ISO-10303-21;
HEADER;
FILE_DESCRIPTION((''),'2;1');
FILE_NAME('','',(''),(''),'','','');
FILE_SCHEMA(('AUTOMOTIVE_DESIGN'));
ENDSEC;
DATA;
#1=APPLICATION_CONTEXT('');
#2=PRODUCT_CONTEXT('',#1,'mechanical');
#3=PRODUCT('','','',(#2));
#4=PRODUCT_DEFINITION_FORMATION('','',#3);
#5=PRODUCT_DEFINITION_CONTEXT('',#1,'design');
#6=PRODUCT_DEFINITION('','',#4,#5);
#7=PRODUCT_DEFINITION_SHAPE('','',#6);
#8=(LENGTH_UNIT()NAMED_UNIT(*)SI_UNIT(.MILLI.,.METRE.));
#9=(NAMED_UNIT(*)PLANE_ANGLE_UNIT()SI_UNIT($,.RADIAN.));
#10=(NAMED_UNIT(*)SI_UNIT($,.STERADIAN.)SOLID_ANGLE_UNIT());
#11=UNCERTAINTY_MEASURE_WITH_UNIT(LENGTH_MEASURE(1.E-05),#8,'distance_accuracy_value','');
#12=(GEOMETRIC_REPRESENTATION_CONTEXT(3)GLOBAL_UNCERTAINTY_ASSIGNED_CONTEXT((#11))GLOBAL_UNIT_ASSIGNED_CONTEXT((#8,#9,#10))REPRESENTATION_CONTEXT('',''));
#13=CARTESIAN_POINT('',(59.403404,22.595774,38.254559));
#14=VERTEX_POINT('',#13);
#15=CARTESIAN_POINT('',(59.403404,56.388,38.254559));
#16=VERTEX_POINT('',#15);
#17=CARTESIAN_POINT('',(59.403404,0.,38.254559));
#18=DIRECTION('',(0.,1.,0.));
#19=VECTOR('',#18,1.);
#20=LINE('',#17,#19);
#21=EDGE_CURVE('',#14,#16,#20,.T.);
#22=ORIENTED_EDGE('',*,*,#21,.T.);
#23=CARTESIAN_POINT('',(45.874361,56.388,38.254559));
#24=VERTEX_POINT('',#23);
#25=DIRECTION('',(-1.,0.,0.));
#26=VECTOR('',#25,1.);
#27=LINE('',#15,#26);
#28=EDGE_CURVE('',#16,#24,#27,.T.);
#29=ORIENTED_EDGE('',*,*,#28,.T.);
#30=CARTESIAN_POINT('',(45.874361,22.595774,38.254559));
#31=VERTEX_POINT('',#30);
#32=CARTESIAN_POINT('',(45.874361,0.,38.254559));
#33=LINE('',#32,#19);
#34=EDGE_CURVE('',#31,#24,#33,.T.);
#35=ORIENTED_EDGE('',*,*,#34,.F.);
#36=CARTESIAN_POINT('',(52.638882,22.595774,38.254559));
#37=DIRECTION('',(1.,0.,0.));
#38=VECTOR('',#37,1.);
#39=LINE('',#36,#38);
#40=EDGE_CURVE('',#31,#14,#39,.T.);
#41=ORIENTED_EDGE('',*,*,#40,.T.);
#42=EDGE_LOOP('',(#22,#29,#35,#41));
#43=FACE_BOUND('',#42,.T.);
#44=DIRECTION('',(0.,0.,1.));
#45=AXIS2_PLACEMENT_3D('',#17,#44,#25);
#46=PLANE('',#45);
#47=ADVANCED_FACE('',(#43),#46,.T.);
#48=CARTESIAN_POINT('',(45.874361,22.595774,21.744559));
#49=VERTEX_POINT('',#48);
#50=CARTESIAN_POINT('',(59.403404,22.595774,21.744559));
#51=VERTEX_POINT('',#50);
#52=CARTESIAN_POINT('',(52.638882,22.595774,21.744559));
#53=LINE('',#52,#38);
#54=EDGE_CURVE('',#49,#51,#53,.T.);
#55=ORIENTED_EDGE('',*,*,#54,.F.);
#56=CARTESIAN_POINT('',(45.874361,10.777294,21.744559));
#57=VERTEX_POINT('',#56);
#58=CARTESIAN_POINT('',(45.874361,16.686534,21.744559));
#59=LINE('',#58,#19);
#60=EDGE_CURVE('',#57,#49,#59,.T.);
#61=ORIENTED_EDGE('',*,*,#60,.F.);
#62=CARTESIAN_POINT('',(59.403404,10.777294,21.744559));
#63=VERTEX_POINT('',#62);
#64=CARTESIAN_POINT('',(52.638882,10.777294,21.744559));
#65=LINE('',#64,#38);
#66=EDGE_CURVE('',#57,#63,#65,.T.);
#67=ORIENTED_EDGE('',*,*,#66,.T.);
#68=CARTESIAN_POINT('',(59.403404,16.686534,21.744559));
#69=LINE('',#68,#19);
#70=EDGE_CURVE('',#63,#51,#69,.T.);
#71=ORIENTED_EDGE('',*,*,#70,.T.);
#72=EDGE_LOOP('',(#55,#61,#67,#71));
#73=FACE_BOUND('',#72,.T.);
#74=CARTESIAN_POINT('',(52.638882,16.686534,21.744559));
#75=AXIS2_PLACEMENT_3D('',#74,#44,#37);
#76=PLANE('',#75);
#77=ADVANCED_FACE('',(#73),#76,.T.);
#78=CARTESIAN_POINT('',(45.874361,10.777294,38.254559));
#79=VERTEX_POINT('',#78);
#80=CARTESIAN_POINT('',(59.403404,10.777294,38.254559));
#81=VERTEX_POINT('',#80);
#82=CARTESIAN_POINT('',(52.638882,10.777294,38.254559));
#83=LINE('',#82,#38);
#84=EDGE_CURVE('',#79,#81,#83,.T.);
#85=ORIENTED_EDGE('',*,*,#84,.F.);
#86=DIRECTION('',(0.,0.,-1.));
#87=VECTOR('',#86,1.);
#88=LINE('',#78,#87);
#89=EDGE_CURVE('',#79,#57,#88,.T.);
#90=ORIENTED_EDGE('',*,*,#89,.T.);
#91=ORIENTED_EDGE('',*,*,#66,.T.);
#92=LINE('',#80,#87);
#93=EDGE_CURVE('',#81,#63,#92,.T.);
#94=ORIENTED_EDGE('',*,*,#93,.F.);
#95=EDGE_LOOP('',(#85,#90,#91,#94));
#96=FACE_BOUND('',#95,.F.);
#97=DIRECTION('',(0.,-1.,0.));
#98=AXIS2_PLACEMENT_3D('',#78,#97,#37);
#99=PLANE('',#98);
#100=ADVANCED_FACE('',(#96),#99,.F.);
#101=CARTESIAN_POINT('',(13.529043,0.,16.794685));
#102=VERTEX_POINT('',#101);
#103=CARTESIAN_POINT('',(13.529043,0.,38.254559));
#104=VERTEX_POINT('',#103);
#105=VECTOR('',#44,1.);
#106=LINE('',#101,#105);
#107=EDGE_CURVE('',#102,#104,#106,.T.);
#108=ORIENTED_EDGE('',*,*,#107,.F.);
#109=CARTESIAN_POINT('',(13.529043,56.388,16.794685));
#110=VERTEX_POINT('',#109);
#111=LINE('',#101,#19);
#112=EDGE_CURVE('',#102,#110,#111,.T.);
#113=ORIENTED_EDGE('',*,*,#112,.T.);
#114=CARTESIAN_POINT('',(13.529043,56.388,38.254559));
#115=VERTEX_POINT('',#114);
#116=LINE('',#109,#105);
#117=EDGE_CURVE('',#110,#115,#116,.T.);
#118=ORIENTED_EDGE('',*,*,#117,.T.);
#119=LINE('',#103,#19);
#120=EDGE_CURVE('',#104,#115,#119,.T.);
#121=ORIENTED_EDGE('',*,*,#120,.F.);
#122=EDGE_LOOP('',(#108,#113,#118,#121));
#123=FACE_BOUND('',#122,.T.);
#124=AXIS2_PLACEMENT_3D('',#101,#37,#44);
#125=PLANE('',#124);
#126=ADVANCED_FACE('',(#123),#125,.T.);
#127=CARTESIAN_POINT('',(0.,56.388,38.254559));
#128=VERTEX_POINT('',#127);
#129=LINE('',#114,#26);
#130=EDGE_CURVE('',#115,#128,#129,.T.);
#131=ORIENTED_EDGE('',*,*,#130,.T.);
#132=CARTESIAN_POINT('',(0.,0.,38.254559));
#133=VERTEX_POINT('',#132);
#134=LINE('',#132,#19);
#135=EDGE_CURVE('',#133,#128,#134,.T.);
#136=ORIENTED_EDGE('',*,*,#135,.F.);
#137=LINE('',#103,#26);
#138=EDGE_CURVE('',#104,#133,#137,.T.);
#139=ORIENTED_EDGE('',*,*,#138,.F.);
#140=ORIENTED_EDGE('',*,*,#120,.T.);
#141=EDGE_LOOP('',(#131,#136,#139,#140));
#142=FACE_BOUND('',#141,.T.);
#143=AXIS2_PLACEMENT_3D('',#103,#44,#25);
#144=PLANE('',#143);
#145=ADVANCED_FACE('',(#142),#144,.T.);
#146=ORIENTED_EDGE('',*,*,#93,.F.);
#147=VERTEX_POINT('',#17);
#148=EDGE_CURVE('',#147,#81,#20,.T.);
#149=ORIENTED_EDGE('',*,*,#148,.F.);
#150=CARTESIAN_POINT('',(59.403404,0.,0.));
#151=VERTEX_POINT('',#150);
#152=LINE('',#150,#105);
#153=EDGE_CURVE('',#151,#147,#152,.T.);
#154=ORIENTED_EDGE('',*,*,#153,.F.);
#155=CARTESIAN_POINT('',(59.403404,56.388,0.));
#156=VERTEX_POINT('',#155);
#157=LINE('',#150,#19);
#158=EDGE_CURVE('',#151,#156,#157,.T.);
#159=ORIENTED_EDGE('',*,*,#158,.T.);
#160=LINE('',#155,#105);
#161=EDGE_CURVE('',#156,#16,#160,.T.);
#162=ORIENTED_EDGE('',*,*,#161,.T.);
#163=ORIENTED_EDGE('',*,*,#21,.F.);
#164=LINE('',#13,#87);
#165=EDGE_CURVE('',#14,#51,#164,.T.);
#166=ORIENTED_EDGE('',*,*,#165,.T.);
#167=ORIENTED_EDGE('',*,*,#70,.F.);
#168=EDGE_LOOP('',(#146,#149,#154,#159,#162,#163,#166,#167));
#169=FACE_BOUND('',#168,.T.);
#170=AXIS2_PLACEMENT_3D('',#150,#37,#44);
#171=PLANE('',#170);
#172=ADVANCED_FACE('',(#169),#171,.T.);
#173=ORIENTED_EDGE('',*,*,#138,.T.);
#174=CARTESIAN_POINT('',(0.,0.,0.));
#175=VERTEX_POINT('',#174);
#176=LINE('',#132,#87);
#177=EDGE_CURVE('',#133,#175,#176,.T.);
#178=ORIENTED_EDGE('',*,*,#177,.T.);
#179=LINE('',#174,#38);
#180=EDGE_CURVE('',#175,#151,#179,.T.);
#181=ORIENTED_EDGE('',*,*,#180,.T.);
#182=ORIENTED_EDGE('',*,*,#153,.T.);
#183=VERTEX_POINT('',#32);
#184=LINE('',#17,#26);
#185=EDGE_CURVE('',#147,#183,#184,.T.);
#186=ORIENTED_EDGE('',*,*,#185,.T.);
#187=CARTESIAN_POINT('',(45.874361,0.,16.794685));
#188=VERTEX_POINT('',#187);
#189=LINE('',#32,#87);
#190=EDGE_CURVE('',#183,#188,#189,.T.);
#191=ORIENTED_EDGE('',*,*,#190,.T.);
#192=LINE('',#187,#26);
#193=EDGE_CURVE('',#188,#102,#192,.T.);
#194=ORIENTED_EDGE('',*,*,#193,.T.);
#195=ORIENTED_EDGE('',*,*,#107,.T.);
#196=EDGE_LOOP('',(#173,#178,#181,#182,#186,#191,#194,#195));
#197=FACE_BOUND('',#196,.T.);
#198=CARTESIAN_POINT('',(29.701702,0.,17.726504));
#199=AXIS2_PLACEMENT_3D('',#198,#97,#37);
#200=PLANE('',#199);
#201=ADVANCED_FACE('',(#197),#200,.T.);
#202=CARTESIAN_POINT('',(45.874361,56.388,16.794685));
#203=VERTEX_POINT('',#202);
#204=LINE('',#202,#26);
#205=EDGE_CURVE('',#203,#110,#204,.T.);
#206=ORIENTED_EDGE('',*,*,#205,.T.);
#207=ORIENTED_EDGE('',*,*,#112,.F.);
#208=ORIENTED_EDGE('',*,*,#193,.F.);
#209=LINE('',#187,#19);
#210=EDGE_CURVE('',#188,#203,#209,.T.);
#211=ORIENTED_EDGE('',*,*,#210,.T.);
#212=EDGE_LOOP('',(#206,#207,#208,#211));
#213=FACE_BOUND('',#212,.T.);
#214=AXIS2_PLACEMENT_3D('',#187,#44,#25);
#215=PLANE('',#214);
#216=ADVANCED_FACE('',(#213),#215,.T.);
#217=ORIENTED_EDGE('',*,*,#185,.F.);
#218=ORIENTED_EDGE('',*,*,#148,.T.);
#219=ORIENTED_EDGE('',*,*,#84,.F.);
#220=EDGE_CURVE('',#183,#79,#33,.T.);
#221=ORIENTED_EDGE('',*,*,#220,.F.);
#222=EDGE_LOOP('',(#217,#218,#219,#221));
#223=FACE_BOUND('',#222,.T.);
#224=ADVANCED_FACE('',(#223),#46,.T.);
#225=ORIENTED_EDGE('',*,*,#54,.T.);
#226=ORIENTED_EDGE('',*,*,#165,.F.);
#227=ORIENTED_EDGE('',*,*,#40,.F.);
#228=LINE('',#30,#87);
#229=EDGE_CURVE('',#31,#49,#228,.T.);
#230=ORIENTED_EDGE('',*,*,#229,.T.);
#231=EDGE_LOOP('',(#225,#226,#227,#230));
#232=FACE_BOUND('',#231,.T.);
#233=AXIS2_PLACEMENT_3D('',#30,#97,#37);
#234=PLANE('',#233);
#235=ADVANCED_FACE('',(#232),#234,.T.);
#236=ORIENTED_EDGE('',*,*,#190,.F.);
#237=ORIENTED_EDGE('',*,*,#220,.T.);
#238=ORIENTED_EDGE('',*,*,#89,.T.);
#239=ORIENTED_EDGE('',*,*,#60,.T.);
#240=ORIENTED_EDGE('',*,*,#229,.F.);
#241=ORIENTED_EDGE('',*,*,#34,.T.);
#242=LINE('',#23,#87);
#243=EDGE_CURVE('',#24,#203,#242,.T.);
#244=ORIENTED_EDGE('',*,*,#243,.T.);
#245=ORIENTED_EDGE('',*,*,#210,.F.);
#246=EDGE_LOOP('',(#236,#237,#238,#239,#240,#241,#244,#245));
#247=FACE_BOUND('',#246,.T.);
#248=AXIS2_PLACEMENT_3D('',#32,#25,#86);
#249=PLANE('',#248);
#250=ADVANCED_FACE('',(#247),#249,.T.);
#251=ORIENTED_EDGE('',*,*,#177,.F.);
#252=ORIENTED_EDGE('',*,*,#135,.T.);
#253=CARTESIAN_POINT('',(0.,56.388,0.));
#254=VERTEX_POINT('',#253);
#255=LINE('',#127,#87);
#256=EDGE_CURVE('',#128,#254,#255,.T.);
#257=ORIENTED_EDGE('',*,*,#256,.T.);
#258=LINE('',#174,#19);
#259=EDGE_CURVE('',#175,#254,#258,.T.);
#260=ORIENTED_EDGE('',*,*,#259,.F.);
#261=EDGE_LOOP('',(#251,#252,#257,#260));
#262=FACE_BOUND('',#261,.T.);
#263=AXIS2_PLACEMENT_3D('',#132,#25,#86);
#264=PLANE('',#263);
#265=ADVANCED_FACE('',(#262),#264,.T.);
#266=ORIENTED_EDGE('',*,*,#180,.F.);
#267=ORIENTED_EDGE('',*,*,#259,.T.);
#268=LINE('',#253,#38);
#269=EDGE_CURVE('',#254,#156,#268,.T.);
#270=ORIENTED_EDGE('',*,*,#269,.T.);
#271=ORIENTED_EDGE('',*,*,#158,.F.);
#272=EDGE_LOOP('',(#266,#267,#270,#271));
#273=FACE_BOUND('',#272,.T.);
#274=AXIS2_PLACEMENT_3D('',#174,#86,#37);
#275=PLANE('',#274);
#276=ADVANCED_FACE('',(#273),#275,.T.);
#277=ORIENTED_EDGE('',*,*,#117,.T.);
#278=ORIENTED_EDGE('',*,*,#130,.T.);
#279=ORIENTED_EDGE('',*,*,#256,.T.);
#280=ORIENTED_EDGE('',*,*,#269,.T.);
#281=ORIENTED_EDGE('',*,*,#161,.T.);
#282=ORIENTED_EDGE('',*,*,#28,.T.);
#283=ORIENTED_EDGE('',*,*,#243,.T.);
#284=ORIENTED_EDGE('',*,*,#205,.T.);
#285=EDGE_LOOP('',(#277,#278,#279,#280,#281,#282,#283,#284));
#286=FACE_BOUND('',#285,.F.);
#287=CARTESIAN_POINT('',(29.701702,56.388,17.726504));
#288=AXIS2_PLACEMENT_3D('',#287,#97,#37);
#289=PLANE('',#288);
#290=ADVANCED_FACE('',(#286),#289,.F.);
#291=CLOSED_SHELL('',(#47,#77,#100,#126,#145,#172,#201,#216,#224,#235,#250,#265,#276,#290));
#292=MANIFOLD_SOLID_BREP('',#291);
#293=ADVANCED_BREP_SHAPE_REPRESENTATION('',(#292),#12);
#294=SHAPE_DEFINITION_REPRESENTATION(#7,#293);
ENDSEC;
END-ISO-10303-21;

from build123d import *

# Parameters (mm, degrees)
F1_DEPTH = 56.388
F2_W     = 13.5290427133
F2_H     = 11.8184806779
F3_DEPTH = 16.51


with BuildPart() as f1:
    # F0 (on Front) → F1 (new body)
    with BuildSketch(Plane.XZ):
        Polygon((0, 38.2545590401), (0, 0), (59.4034036621, 0), (59.4034036621, 38.2545590401), (45.8743609488, 38.2545590401), (45.8743609488, 16.7946852744), (13.5290427133, 16.7946852744), (13.5290427133, 38.2545590401), align=None)
    extrude(amount=-F1_DEPTH)

    # F2 (on face) → F3 (cut)
    with BuildSketch(Plane.XY.offset(38.2545590401)):
        with Locations((52.6388823055, 16.6865340434)):
            Rectangle(F2_W, F2_H)
    extrude(amount=-F3_DEPTH, mode=Mode.SUBTRACT)


solid = f1.part
